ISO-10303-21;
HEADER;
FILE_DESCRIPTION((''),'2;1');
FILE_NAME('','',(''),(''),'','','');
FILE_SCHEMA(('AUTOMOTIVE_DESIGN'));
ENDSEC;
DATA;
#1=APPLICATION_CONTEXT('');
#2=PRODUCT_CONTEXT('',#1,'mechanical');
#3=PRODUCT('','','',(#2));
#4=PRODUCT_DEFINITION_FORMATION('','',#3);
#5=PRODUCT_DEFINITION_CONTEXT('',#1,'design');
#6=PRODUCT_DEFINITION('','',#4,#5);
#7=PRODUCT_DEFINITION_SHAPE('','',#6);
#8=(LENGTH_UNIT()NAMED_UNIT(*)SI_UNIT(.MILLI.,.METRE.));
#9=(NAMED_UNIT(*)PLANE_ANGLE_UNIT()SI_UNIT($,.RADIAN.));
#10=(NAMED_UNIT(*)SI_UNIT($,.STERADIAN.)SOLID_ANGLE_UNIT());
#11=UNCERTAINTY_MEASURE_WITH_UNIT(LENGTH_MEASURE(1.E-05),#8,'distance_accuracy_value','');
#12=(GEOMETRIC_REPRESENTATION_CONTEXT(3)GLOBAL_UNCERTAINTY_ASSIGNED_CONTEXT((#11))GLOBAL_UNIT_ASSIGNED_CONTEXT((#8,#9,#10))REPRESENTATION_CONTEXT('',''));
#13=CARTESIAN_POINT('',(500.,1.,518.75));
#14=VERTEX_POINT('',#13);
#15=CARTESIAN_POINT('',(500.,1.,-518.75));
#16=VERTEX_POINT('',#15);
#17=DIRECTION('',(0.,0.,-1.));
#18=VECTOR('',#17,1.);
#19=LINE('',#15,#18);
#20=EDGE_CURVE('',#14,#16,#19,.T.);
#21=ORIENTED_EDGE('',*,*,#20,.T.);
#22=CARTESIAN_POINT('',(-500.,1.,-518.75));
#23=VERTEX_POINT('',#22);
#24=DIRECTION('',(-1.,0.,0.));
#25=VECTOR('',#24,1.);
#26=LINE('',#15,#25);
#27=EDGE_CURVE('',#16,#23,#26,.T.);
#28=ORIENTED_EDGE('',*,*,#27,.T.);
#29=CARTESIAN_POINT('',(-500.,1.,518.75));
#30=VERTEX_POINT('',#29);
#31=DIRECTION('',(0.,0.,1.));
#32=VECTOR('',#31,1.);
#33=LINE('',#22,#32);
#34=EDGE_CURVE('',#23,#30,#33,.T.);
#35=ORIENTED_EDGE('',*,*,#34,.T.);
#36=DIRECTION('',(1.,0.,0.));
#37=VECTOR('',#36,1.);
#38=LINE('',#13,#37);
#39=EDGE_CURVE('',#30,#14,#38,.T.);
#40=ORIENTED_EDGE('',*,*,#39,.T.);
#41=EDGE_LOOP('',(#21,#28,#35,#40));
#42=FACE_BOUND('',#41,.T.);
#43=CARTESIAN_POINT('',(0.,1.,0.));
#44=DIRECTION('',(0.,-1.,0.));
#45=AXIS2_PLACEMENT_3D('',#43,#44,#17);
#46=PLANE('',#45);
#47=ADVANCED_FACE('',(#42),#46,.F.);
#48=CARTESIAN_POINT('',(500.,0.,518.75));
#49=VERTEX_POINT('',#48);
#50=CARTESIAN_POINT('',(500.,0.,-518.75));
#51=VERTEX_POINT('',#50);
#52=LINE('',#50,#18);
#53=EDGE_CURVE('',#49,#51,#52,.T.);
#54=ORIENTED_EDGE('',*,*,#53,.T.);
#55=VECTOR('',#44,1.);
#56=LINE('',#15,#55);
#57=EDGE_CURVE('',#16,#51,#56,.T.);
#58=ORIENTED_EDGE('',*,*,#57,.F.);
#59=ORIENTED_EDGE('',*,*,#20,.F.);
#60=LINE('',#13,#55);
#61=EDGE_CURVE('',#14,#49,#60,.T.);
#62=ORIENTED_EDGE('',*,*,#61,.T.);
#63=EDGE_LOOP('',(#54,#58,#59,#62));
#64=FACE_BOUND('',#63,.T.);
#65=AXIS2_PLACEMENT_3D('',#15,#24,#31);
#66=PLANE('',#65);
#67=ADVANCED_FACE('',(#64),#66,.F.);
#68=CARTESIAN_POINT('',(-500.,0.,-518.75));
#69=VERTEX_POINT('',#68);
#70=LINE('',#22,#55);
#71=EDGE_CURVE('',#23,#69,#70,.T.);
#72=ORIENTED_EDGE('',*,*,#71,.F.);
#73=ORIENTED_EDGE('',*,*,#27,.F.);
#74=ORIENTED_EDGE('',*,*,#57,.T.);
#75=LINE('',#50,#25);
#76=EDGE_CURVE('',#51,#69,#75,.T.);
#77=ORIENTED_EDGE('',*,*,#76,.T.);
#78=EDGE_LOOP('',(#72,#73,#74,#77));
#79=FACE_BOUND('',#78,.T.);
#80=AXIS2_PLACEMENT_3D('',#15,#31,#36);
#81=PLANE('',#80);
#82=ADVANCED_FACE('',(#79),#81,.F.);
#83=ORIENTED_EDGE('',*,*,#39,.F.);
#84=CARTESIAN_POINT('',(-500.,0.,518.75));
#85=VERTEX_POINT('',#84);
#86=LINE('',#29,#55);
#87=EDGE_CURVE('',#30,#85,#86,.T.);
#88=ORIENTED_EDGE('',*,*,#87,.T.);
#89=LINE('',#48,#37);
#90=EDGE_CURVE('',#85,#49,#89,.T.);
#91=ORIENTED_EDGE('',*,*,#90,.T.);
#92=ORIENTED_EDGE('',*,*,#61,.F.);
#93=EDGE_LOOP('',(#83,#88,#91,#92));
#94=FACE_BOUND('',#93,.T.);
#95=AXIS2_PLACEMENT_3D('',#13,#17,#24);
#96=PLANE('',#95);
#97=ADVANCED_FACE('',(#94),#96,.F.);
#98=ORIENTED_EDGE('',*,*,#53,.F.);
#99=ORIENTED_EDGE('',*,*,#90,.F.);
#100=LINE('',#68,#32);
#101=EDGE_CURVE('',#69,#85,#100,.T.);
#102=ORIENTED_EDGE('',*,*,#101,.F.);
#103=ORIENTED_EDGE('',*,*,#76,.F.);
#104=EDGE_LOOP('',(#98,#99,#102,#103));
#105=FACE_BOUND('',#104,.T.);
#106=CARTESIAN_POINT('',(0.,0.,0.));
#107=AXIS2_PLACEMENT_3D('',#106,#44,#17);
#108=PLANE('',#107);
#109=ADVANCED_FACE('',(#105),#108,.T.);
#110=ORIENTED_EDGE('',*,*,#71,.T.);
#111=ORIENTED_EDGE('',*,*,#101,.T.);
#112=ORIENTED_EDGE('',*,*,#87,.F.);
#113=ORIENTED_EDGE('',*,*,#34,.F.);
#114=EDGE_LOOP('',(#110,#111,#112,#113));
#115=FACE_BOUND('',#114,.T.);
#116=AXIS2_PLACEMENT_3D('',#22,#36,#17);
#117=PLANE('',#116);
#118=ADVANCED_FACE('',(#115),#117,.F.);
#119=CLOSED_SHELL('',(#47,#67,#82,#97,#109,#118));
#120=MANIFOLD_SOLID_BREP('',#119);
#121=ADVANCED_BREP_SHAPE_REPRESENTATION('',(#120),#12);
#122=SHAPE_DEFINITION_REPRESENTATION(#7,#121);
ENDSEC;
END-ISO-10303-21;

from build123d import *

# Parameters (mm, degrees)
SKETCH_1_W      = 1000
SKETCH_1_H      = 1037.5
EXTRUDE_1_DEPTH = 1


with BuildPart() as part:
    # Эскиз1 → Бобышка-Вытянуть1 (new body)
    with BuildSketch(Plane(origin=(0, 0, 0), x_dir=(1, 0, 0), z_dir=(0, 1, 0))):
        Rectangle(SKETCH_1_W, SKETCH_1_H)
    extrude(amount=EXTRUDE_1_DEPTH)


solid = part.part
